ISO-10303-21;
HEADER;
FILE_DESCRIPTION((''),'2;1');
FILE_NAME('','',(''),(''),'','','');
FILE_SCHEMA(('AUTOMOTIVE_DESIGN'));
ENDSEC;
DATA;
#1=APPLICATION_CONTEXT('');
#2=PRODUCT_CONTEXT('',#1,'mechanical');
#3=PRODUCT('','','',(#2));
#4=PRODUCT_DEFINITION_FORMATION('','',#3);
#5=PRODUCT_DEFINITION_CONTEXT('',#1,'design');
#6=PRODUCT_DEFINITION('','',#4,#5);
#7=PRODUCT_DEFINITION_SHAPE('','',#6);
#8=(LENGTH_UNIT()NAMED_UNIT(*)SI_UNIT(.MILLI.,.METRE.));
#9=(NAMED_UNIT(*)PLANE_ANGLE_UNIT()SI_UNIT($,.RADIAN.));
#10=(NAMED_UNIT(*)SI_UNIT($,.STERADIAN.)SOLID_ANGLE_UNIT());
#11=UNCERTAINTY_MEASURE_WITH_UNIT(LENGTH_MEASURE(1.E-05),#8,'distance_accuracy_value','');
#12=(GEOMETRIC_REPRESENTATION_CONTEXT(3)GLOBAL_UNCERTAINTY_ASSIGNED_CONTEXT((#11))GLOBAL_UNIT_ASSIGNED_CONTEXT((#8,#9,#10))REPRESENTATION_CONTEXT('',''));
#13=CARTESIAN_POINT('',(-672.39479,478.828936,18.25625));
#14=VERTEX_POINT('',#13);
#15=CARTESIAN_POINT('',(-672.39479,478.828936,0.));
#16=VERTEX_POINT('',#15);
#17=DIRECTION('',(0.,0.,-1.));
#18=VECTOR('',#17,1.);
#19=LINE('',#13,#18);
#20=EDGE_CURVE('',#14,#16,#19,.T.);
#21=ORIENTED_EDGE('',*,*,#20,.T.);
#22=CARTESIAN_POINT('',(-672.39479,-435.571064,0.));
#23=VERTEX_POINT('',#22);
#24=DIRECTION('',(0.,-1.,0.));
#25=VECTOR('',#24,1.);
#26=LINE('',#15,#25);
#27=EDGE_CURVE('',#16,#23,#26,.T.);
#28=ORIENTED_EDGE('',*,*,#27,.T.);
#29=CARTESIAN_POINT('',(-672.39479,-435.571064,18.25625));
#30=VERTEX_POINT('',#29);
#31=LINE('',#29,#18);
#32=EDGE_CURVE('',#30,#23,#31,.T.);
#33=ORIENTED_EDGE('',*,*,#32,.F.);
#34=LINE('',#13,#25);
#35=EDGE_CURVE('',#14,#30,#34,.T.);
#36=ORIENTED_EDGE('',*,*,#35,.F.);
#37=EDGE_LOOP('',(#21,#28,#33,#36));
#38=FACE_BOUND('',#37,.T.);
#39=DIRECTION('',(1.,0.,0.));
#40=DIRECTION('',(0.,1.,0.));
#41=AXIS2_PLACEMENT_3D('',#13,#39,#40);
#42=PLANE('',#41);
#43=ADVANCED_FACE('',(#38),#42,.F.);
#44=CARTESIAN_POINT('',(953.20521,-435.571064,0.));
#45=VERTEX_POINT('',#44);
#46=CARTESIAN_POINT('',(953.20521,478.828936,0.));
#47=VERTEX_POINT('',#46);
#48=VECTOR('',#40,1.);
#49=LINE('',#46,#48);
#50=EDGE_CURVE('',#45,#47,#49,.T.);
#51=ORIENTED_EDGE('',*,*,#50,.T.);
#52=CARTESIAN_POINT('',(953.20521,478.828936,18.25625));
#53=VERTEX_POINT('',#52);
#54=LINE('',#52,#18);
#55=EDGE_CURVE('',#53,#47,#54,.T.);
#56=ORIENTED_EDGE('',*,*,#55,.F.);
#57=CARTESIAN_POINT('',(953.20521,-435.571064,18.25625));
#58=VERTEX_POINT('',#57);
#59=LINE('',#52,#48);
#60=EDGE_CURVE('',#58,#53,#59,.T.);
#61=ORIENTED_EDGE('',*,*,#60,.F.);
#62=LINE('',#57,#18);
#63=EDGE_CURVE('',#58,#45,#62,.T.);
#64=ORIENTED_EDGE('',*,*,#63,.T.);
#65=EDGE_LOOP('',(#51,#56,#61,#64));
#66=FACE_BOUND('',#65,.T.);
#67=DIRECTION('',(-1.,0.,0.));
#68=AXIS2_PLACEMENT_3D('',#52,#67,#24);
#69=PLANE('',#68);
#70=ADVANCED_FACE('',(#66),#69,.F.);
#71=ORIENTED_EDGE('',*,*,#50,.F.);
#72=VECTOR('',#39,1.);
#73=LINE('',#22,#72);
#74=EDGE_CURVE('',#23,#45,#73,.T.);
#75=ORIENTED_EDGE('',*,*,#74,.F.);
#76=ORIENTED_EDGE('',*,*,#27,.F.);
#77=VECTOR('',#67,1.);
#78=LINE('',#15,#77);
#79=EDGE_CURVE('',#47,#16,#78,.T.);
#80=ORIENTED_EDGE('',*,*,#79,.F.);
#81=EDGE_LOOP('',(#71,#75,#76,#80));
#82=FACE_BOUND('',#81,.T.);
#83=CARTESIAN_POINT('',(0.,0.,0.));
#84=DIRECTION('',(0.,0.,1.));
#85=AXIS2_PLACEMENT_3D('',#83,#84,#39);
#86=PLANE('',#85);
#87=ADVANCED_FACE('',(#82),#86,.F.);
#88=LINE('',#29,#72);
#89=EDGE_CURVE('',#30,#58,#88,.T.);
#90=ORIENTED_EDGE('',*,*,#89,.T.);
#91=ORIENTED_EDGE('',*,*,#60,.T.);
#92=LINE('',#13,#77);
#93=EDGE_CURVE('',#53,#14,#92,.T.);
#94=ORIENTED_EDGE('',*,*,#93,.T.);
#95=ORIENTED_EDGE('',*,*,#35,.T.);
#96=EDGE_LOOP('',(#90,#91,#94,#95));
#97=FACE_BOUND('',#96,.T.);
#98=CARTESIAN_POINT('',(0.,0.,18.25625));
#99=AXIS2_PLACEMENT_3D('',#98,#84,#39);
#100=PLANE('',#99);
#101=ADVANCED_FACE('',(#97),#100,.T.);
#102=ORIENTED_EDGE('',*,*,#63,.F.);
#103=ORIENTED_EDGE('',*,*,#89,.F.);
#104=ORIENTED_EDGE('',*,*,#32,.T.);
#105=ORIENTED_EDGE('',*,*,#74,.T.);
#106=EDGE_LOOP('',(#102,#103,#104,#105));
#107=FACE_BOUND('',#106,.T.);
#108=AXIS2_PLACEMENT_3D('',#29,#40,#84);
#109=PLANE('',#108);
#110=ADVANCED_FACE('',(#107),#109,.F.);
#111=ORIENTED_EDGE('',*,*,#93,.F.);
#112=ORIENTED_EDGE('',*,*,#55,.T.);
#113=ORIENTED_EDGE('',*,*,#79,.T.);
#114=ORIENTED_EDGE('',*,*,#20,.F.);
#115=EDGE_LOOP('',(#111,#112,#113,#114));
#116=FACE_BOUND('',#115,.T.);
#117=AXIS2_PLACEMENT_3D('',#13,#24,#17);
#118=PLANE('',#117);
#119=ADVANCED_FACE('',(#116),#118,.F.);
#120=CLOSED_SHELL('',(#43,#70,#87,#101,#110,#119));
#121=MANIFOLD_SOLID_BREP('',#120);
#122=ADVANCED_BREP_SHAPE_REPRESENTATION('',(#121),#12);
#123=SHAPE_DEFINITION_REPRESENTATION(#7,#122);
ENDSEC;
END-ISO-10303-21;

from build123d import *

# Parameters (mm, degrees)
SKETCH1_W           = 1625.6
SKETCH1_H           = 914.4
BOSS_EXTRUDE1_DEPTH = 18.25625


with BuildPart() as part:
    # Sketch1 → Boss-Extrude1 (new body)
    with BuildSketch(Plane.XY):
        with Locations((140.405210467, 21.628935534)):
            Rectangle(SKETCH1_W, SKETCH1_H)
    extrude(amount=BOSS_EXTRUDE1_DEPTH)


solid = part.part
